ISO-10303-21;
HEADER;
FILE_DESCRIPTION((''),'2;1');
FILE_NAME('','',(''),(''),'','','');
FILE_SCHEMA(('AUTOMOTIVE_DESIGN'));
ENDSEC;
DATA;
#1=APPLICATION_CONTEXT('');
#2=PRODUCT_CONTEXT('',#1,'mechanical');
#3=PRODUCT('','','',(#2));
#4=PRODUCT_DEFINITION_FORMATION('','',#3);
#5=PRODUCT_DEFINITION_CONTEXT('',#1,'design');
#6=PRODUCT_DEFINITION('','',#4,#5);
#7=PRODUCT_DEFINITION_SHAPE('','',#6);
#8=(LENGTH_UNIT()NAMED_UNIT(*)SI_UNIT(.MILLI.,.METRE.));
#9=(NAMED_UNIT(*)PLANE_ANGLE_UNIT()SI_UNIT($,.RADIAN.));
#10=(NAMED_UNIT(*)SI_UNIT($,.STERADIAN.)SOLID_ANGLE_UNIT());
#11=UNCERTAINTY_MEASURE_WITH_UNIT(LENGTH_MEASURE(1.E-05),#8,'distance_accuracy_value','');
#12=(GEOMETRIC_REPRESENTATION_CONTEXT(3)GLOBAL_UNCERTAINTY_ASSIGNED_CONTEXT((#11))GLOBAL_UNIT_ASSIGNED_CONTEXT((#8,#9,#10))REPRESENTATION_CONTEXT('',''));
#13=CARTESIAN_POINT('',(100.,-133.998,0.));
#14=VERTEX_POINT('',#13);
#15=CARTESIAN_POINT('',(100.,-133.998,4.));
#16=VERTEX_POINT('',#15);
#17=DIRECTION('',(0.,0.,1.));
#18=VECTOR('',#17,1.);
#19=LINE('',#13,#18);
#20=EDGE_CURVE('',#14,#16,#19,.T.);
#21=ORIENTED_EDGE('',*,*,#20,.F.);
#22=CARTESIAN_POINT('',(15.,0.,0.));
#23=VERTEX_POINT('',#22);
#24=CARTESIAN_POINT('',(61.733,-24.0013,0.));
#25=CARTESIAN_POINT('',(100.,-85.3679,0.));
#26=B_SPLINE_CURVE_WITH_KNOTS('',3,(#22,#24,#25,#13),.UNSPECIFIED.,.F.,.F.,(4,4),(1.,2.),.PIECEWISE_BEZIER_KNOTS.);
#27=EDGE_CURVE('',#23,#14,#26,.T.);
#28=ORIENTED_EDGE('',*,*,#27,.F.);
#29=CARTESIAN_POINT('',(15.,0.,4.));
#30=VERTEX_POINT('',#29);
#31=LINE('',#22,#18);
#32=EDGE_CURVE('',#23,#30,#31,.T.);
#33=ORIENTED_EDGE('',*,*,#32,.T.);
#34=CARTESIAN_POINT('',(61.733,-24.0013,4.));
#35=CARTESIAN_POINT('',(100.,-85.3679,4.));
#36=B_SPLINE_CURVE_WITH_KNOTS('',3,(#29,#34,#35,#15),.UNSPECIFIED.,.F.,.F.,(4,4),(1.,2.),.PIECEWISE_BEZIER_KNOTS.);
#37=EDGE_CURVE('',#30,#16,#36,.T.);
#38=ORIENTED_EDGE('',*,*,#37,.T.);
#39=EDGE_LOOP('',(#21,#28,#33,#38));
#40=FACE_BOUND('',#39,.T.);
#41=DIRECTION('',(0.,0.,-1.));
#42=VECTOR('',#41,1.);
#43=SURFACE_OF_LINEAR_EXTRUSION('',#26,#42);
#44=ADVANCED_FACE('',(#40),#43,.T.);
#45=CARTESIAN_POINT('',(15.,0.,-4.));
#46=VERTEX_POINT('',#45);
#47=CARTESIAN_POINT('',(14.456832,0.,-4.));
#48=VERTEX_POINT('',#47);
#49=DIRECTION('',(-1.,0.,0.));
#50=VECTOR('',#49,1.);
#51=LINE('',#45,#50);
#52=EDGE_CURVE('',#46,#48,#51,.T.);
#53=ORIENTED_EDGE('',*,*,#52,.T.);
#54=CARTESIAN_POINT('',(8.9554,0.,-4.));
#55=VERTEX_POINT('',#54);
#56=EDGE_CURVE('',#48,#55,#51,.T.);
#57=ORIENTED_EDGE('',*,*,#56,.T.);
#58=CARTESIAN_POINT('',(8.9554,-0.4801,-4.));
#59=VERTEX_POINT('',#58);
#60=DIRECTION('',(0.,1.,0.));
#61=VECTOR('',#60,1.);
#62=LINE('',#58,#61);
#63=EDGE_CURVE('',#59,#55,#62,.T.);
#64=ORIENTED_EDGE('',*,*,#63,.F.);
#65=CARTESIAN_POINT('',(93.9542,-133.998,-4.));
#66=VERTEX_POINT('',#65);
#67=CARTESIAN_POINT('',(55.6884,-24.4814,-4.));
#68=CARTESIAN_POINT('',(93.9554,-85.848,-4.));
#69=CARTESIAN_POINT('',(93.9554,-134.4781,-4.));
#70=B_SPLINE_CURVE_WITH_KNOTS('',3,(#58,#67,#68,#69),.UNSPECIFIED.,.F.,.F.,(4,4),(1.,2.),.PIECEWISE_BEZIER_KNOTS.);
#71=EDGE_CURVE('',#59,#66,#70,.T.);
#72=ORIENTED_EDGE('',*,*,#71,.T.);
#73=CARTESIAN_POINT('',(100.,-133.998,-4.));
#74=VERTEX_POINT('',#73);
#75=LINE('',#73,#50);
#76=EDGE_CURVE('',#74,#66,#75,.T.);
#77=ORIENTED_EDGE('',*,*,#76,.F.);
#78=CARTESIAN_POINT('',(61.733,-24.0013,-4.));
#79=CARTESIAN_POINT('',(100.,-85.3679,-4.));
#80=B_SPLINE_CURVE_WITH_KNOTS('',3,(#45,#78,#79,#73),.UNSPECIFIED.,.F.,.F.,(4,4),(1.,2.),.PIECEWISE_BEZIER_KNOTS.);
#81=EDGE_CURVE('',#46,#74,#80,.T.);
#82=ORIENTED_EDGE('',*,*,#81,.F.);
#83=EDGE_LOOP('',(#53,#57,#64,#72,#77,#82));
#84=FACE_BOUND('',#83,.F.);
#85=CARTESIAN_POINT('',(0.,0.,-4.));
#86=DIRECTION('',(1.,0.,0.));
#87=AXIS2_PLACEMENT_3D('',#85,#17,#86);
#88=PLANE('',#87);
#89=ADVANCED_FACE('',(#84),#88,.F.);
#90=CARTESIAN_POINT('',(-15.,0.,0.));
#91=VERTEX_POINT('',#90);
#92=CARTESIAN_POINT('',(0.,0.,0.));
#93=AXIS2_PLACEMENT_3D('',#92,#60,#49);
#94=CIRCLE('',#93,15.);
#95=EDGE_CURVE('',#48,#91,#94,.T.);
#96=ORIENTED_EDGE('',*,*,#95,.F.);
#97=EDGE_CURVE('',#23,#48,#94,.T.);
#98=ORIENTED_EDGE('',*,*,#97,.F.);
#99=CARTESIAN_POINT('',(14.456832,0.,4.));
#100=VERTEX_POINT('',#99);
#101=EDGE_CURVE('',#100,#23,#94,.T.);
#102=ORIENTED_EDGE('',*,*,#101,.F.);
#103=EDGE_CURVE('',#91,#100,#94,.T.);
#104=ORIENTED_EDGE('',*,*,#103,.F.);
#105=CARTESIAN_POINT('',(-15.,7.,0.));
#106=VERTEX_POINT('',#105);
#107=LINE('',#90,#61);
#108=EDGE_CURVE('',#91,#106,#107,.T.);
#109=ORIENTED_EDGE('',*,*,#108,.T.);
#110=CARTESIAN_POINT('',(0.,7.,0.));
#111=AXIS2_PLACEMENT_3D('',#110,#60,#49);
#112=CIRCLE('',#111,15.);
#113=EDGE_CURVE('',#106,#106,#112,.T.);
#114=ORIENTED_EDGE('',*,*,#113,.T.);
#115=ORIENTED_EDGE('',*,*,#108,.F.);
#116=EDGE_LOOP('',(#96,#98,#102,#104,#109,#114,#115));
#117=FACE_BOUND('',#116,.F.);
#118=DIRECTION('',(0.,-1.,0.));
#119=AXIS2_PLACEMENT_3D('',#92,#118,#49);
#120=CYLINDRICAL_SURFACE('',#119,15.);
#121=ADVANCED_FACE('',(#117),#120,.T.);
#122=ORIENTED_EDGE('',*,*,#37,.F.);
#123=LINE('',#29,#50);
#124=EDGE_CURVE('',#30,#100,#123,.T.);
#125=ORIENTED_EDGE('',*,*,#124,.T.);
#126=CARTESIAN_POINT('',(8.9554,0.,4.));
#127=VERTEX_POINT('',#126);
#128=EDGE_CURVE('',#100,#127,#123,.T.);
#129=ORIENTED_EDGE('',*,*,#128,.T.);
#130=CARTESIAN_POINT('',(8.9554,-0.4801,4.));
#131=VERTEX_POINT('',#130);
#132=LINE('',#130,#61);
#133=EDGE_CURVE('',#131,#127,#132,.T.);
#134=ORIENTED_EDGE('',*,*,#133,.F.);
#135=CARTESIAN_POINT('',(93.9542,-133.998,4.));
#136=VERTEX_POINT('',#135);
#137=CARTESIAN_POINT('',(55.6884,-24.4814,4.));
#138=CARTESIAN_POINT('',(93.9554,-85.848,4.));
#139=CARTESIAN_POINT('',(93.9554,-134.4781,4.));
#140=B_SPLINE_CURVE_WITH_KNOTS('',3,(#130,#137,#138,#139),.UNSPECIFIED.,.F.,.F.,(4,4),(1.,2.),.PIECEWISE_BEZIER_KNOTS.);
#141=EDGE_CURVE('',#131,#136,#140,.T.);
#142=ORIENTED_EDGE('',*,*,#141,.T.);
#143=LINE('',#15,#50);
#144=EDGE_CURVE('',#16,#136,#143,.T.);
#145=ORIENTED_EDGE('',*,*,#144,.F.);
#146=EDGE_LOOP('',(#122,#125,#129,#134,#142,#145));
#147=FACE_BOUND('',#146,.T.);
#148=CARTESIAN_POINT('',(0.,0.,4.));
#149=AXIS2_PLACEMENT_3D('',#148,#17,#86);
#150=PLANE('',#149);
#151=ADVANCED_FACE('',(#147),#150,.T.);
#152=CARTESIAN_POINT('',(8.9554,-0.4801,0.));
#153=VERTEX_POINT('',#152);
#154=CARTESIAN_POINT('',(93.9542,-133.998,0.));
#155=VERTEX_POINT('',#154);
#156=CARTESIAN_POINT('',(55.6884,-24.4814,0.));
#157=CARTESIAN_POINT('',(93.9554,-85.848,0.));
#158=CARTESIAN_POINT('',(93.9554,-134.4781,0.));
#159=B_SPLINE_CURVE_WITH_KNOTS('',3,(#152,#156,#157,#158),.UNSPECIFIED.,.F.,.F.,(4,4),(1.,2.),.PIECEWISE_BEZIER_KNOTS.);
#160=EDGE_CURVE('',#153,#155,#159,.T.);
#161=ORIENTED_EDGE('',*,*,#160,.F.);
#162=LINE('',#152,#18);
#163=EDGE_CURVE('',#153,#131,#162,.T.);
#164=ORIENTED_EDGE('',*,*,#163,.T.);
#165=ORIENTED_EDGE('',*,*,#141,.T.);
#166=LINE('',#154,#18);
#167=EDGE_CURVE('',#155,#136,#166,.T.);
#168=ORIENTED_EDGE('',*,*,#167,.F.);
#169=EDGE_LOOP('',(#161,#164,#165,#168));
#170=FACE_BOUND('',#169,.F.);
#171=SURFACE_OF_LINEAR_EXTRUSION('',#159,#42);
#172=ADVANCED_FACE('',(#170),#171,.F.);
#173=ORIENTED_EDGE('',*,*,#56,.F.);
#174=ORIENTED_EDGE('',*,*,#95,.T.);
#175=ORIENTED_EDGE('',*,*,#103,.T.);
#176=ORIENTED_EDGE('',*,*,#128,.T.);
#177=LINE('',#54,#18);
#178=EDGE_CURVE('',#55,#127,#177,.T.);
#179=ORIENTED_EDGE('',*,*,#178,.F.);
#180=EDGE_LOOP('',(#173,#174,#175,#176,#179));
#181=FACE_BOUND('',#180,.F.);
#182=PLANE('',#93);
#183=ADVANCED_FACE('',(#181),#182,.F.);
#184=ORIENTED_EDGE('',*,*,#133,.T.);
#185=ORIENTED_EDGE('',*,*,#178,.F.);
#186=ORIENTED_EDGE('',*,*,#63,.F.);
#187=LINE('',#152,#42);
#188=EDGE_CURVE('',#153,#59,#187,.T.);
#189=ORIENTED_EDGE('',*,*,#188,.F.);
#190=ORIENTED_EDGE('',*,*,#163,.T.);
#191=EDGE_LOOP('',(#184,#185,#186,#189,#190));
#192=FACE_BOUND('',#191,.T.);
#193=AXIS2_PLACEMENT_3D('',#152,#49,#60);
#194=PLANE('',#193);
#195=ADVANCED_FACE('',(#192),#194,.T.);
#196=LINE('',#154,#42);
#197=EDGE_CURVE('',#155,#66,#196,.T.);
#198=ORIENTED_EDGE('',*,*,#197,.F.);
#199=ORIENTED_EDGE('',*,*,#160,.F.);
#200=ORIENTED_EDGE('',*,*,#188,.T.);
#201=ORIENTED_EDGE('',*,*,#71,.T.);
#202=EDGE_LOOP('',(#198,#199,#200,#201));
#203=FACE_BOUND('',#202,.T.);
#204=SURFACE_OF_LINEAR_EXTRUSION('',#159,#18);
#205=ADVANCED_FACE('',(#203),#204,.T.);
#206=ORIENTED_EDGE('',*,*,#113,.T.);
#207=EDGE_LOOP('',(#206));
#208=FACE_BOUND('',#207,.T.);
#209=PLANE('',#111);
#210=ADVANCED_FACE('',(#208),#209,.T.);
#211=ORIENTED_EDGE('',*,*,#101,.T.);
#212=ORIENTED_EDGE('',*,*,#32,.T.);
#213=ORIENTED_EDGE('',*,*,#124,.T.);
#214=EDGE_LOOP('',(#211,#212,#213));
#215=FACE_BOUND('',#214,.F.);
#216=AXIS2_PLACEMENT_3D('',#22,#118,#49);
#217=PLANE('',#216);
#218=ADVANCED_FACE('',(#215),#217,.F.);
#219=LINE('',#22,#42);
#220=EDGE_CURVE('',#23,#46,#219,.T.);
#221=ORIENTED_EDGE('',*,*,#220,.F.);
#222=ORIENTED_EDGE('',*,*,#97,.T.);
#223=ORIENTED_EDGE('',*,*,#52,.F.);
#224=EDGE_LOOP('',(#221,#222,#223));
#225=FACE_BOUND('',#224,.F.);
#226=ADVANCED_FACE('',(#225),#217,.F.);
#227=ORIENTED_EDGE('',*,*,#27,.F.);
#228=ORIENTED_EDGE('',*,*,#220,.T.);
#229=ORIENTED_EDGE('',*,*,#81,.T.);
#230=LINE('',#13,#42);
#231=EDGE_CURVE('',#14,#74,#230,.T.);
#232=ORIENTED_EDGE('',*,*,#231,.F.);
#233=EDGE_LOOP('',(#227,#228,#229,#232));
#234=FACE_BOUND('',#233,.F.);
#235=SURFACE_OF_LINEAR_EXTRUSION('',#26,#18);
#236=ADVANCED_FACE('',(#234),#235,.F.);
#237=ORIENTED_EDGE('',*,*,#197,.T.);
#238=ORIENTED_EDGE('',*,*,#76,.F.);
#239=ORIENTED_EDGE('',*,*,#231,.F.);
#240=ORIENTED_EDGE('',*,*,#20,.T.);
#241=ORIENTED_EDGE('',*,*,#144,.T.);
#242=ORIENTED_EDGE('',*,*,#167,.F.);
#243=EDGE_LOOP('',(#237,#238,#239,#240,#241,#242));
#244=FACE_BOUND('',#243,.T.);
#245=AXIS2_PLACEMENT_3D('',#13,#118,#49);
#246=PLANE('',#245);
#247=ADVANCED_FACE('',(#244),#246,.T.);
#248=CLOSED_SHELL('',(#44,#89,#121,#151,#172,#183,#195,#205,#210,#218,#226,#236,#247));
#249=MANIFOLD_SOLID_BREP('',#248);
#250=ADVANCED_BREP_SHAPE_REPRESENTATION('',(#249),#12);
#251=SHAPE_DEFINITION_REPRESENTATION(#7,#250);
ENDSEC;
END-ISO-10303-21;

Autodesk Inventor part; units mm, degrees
ref_plane "YZ Plane" through (0, 0, 0) normal (1, 0, 0) x (0, 1, 0)
ref_plane "XZ Plane" through (0, 0, 0) normal (0, 1, 0) x (-1, 0, 0)
ref_plane "XY Plane" through (0, 0, 0) normal (0, 0, 1) x (1, 0, 0)
sketch "Sketch1" plane through (0, 0, 0) normal (0, 1, 0) x (-1, 0, 0)
  circle A0 centre (0, 0) radius 15
  dimension "d0" = 30
extrude "Extrusion1" add sketch "Sketch1" along normal blind 7
sketch "Sketch2" plane through (0, 0, 0) normal (0, 0, 1) x (1, 0, 0)
  line L0 (0, -0.6683) -> (0, -150.6683)
  line L1 (0, -150.6683) -> (100, -150.6683)
  line L2 (15, 0) -> (-15, 0) projected
  line L3 (15, 0) -> (61.733, -24.0013) construction
  line L4 (61.733, -24.0013) -> (100, -85.3679) construction
  line L5 (100, -85.3679) -> (100, -133.998) construction
  spline S0 degree 3 poles (15, 0) (61.733, -24.0013) (100, -85.3679) (100, -133.998) knots 1 1 1 1 2 2 2 2
  line L6 (8.9554, -0.4801) -> (55.6884, -24.4814) construction
  line L7 (55.6884, -24.4814) -> (93.9554, -85.848) construction
  line L8 (93.9554, -85.848) -> (93.9554, -134.4781) construction
  spline S1 degree 3 poles (8.9554, -0.4801) (55.6884, -24.4814) (93.9554, -85.848) (93.9554, -134.4781) knots 1 1 1 1 2 2 2 2
  line L9 (100, -133.998) -> (93.9542, -133.998)
  line L10 (15, 0) -> (8.9554, 0)
  line L11 (8.9554, -0.4801) -> (8.9554, 0)
  point P0 (0, 0)
  dimension "d3" = 150
  dimension "d4" = 100
extrude "Extrusion2" add sketch "Sketch2" along normal mid plane 8
properties part number "preBuiltArm"
